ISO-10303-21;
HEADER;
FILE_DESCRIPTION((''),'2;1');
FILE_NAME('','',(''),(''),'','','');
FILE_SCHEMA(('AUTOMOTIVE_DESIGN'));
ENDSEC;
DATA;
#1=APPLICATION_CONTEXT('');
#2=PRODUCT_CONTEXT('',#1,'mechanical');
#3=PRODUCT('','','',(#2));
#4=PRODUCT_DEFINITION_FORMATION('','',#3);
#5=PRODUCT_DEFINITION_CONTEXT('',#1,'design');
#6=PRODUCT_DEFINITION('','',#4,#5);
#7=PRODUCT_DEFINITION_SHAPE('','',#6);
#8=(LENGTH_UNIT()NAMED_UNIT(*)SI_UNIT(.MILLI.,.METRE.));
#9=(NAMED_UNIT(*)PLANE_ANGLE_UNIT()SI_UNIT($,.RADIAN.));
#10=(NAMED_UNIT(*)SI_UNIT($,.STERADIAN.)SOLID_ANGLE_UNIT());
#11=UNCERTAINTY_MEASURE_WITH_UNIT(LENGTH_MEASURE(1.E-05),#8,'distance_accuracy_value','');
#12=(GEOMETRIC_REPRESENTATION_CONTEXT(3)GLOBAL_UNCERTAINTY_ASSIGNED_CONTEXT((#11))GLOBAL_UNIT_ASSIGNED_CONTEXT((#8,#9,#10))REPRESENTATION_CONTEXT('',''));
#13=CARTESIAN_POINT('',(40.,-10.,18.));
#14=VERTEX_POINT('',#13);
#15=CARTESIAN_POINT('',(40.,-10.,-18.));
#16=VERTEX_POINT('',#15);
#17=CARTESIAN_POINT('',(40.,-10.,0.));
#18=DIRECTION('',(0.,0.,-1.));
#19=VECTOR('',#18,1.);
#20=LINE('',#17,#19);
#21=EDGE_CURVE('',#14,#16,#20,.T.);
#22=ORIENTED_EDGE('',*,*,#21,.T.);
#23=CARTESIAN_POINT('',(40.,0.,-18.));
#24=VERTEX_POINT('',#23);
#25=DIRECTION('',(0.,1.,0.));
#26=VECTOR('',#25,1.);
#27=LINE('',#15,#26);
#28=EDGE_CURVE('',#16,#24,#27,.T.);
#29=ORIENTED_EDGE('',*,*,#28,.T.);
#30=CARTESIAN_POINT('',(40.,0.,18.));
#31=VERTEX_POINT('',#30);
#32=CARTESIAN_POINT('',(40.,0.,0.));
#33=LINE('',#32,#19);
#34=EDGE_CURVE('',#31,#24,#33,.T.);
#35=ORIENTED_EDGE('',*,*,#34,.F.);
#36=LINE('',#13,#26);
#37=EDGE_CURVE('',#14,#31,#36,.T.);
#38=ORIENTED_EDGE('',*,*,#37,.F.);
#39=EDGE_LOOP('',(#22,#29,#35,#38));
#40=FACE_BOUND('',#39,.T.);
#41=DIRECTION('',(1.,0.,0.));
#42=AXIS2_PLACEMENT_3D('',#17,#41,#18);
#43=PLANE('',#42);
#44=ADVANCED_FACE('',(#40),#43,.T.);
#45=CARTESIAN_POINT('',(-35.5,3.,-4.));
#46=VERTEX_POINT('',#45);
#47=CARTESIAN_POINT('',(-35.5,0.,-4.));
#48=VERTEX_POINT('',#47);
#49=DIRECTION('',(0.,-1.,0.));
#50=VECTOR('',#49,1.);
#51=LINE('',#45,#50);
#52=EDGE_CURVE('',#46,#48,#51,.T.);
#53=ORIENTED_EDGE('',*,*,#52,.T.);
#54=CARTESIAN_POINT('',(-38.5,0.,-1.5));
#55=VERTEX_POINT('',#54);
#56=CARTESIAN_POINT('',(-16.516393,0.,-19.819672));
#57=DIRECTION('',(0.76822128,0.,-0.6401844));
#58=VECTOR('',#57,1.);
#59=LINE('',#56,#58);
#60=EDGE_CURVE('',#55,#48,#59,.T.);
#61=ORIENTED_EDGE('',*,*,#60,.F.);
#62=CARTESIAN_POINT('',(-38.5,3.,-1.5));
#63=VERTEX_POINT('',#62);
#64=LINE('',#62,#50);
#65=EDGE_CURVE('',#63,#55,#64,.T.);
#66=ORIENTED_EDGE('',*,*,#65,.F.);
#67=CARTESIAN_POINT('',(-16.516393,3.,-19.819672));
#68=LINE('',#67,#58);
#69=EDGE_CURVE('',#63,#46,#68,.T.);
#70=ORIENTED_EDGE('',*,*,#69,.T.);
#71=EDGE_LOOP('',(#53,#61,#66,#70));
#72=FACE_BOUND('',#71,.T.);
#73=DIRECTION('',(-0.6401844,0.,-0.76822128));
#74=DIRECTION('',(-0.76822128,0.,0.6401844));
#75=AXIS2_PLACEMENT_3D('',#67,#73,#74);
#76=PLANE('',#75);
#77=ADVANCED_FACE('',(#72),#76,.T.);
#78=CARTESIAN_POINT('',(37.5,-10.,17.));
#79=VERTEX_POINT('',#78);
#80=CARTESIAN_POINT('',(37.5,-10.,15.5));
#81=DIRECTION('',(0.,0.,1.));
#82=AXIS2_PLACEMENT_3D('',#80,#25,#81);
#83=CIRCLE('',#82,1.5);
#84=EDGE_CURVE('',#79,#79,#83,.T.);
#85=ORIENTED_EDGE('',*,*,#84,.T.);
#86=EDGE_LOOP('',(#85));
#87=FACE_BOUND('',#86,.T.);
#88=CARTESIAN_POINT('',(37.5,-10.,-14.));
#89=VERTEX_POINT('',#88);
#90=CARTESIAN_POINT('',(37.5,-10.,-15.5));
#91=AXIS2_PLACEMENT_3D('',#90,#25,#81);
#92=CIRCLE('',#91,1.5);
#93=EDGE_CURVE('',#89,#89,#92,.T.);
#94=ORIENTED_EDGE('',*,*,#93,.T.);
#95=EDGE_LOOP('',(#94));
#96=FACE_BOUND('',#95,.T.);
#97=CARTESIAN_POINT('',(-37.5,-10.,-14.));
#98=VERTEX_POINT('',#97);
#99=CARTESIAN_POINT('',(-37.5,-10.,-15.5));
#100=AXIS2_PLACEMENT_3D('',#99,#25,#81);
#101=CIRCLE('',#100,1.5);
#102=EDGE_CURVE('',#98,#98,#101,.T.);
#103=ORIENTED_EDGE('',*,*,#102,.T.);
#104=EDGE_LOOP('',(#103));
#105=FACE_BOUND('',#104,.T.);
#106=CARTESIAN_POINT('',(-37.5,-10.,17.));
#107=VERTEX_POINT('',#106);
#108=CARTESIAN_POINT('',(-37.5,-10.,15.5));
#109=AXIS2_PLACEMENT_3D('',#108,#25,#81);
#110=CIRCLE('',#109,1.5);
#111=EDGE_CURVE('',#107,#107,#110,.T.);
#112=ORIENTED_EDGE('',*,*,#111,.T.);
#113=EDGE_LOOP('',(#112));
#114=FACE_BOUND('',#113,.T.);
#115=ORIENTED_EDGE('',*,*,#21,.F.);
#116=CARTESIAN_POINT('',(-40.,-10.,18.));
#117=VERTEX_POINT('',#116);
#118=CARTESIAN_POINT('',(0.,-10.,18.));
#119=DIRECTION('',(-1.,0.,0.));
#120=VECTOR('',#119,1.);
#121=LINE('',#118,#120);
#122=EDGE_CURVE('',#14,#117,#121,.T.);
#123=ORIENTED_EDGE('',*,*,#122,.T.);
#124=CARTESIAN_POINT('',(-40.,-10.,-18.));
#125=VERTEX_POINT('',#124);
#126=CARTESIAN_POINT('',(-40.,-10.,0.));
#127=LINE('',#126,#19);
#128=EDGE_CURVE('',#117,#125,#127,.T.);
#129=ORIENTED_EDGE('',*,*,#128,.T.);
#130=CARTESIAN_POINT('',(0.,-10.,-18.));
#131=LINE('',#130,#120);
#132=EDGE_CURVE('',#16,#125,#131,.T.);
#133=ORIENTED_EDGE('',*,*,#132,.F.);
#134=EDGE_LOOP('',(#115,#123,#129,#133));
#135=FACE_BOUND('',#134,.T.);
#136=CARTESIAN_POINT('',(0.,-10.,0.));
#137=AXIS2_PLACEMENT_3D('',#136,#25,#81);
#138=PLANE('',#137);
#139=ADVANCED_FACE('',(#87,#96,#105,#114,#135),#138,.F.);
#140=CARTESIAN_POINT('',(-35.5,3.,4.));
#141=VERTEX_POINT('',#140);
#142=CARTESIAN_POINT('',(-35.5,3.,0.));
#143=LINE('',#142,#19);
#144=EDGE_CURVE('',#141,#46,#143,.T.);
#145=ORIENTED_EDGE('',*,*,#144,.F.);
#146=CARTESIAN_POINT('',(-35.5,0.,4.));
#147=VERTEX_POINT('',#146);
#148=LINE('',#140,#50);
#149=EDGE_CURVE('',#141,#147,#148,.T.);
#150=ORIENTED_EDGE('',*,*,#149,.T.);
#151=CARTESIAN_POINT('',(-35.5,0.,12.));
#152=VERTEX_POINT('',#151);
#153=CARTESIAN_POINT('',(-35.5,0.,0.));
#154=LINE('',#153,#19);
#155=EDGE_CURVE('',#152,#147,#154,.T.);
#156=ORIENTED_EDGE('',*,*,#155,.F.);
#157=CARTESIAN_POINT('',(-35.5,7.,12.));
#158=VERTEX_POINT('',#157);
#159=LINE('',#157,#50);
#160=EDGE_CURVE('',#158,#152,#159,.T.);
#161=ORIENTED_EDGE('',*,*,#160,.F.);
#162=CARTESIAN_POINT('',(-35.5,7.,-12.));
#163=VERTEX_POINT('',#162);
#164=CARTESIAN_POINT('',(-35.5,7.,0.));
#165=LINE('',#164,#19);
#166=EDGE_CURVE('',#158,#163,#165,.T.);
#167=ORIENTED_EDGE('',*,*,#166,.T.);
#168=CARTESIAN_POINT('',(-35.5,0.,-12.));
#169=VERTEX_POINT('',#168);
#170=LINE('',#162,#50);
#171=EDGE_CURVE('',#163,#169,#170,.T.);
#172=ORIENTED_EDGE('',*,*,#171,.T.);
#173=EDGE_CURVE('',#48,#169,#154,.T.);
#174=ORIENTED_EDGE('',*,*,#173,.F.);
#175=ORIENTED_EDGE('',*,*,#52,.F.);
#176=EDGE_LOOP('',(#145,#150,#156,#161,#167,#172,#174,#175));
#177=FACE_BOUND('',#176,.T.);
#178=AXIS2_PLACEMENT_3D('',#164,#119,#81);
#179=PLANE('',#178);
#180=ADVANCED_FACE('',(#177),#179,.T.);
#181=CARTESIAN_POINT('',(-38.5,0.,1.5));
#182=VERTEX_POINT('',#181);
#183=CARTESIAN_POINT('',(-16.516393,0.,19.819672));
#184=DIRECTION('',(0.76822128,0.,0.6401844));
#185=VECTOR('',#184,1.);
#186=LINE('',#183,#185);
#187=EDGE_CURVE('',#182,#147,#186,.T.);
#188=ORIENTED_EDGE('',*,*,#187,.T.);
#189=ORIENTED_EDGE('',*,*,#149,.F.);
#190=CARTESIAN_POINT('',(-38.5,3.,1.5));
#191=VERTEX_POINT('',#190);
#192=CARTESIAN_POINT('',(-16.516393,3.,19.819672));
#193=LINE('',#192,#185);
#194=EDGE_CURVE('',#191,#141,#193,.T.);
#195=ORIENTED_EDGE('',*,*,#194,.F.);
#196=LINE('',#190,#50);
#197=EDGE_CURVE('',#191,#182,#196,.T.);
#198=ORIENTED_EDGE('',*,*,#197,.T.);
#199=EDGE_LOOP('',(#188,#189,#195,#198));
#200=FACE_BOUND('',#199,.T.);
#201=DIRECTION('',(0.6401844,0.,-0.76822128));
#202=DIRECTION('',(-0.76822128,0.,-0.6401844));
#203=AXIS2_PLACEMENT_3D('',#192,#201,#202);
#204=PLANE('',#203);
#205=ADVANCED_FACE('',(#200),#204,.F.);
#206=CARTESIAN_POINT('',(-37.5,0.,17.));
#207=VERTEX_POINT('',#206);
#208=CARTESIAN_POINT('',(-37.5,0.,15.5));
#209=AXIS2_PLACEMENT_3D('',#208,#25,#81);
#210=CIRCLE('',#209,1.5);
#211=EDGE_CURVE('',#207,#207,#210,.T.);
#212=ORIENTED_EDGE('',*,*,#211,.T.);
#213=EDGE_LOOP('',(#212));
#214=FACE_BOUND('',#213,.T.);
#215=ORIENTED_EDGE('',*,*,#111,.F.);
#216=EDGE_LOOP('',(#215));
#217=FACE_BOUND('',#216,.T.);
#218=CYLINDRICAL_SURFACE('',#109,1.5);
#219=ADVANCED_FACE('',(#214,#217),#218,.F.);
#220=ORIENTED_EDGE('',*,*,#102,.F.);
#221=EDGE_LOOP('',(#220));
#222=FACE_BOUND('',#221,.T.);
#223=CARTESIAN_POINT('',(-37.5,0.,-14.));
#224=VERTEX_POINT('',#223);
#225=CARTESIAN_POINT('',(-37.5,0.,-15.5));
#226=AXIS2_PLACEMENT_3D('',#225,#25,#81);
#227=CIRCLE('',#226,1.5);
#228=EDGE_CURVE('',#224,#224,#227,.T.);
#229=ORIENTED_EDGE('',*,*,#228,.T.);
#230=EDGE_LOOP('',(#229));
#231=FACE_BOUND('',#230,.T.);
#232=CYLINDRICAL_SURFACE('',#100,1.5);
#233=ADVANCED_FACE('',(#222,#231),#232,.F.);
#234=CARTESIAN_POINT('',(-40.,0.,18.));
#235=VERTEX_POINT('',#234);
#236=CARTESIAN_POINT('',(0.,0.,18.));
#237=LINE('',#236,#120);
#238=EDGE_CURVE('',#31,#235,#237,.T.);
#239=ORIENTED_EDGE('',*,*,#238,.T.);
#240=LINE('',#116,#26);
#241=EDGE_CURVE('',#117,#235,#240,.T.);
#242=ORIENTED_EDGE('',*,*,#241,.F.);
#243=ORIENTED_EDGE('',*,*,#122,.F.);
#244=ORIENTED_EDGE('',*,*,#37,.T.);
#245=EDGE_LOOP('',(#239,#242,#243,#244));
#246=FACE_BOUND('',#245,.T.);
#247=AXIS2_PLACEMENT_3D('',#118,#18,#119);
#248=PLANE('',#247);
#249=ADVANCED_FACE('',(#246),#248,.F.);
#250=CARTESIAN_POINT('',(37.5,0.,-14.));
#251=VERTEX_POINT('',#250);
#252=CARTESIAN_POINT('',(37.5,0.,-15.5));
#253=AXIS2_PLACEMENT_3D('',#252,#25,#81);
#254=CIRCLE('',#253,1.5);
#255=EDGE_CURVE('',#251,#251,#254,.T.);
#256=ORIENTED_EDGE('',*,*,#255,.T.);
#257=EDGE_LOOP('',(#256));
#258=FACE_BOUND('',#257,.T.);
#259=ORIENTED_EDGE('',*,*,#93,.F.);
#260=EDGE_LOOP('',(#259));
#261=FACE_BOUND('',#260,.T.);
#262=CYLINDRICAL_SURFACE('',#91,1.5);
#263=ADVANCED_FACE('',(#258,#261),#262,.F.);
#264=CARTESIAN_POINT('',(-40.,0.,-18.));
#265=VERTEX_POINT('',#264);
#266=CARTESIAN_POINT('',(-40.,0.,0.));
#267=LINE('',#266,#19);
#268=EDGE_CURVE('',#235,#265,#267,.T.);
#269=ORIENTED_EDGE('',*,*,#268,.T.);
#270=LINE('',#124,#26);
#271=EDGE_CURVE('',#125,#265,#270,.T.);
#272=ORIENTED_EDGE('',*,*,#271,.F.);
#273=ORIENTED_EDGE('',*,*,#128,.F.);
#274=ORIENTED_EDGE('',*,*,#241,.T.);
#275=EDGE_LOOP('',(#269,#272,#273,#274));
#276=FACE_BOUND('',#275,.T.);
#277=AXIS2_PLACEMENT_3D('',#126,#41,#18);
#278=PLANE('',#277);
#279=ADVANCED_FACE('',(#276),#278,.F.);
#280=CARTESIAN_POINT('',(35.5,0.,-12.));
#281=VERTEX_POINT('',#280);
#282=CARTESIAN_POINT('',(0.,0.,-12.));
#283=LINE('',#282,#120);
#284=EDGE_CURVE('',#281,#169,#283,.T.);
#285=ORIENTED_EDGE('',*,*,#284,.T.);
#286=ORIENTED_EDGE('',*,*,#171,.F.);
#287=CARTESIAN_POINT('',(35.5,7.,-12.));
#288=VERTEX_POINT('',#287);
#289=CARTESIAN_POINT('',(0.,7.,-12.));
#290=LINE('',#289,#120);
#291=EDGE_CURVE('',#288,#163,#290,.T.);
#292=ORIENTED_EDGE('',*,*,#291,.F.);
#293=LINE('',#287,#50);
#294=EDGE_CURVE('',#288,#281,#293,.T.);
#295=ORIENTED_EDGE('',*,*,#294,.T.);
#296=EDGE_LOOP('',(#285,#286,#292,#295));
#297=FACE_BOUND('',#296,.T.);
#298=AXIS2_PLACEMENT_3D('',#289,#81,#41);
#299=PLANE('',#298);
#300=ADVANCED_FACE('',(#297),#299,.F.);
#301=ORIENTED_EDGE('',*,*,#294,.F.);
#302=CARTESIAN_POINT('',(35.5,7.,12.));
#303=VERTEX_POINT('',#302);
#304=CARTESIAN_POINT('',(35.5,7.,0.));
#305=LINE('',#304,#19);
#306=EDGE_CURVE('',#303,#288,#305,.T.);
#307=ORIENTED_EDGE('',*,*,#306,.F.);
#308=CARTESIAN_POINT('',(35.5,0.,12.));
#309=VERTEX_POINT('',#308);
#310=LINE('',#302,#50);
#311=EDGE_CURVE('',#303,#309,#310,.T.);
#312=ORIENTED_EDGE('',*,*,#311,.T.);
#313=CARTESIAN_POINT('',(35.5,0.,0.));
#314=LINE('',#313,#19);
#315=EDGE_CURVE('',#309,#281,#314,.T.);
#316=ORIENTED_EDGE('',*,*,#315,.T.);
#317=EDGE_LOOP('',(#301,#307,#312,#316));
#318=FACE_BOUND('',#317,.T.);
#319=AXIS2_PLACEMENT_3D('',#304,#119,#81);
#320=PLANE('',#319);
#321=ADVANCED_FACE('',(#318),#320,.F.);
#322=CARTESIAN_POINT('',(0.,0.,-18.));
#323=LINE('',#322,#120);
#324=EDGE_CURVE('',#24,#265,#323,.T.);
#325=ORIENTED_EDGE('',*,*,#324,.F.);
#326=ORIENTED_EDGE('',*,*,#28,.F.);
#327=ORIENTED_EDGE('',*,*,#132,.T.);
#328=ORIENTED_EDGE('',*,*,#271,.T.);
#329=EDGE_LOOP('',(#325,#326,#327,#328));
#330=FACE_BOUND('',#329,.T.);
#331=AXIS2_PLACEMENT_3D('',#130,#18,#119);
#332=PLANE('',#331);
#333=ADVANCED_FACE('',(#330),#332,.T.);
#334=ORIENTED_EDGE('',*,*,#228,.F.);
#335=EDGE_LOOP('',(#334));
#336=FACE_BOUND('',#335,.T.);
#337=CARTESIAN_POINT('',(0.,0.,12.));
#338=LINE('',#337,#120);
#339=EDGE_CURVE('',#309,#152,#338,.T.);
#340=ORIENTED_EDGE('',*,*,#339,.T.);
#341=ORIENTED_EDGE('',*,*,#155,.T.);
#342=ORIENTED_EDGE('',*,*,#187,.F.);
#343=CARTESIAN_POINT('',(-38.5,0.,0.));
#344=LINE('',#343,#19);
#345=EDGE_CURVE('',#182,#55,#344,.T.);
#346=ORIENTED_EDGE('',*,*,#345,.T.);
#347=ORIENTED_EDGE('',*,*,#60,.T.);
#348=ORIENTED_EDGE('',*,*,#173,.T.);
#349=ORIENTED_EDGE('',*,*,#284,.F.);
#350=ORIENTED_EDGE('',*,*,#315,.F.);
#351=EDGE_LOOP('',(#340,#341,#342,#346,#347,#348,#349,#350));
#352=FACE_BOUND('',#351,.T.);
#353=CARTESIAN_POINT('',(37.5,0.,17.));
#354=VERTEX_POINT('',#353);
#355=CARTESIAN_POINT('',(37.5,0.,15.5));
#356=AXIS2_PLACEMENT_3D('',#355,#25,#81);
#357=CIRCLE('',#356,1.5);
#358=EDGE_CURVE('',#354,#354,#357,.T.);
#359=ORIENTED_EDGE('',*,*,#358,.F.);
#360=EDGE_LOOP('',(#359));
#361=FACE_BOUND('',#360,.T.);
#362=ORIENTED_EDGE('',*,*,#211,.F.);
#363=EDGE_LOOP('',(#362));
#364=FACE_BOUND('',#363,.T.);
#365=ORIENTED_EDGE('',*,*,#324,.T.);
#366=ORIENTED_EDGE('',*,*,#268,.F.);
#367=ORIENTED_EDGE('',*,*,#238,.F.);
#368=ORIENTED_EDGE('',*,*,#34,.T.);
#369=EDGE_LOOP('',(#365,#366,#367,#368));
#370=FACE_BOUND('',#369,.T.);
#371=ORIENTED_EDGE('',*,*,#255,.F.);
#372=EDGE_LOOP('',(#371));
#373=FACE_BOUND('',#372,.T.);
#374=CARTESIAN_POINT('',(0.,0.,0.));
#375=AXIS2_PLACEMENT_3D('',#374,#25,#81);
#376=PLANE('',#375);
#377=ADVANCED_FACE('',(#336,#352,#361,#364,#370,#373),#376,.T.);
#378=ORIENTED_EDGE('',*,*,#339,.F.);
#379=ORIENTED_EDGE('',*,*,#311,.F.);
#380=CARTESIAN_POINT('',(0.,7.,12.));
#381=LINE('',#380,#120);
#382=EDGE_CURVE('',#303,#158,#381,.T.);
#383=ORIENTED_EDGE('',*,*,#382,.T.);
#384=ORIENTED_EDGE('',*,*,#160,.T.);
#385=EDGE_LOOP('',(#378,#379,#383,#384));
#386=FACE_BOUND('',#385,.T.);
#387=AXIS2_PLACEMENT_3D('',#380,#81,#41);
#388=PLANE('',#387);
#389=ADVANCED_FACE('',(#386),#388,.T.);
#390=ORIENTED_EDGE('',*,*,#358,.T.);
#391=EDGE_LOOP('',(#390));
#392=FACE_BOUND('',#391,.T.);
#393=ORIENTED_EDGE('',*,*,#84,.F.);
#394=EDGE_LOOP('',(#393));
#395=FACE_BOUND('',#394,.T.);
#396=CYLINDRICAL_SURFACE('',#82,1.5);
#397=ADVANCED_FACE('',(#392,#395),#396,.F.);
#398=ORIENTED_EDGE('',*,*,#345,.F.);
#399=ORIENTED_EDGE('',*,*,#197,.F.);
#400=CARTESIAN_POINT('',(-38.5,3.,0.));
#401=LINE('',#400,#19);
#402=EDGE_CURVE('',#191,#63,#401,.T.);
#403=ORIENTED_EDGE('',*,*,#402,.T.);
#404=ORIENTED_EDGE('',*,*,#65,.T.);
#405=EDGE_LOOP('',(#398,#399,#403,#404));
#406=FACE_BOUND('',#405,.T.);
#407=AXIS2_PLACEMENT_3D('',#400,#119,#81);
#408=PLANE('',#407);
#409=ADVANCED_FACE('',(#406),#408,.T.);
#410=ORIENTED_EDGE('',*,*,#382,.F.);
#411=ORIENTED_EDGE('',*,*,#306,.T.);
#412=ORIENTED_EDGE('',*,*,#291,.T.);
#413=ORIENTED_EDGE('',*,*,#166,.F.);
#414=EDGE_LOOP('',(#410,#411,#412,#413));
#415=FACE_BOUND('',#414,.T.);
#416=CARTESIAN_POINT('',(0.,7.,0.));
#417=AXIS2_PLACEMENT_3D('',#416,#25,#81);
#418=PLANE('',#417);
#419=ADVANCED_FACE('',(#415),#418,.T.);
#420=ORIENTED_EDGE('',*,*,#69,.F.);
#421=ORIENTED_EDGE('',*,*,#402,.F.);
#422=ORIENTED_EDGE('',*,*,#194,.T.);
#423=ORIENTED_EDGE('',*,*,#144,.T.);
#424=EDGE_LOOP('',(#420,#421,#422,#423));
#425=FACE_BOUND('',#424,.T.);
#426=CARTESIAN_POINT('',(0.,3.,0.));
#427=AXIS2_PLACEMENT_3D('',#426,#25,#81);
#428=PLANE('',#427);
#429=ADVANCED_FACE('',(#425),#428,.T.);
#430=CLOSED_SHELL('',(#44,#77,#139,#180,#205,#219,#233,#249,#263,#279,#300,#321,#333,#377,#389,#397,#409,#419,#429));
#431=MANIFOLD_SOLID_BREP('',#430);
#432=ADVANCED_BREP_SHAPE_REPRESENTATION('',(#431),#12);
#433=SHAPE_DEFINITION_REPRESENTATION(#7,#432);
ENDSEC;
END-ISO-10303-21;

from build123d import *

# Parameters (mm, degrees)
SKETCH1_W           = 80
SKETCH1_H           = 36
SKETCH1_R           = 1.5
BOSS_EXTRUDE1_DEPTH = 10
SKETCH1_3_W         = 71
SKETCH1_3_H         = 24
BOSS_EXTRUDE2_DEPTH = 7
BOSS_EXTRUDE3_DEPTH = 3


with BuildPart() as part:
    # Sketch1 → Boss-Extrude1 (new body)
    with BuildSketch(Plane(origin=(0, 0, 0), x_dir=(1, 0, 0), z_dir=(0, 1, 0))):
        Rectangle(SKETCH1_W, SKETCH1_H)
        with Locations((-37.5, -15.5)):
            Circle(SKETCH1_R, mode=Mode.SUBTRACT)
        with Locations((37.5, -15.5)):
            Circle(SKETCH1_R, mode=Mode.SUBTRACT)
        with Locations((-37.5, 15.5)):
            Circle(SKETCH1_R, mode=Mode.SUBTRACT)
        with Locations((37.5, 15.5)):
            Circle(SKETCH1_R, mode=Mode.SUBTRACT)
    extrude(amount=-BOSS_EXTRUDE1_DEPTH)

    # Sketch1<3> → Boss-Extrude2 (add)
    with BuildSketch(Plane(origin=(0, 0, 0), x_dir=(1, 0, 0), z_dir=(0, 1, 0))):
        Rectangle(SKETCH1_3_W, SKETCH1_3_H)
    extrude(amount=BOSS_EXTRUDE2_DEPTH)

    # Sketch2 → Boss-Extrude3 (add)
    with BuildSketch(Plane(origin=(0, 0, 0), x_dir=(1, 0, 0), z_dir=(0, 1, 0))):
        Polygon((-38.5, -1.5), (-35.5, -4), (-35.5, 4), (-38.5, 1.5), align=None)
    extrude(amount=BOSS_EXTRUDE3_DEPTH)


solid = part.part
